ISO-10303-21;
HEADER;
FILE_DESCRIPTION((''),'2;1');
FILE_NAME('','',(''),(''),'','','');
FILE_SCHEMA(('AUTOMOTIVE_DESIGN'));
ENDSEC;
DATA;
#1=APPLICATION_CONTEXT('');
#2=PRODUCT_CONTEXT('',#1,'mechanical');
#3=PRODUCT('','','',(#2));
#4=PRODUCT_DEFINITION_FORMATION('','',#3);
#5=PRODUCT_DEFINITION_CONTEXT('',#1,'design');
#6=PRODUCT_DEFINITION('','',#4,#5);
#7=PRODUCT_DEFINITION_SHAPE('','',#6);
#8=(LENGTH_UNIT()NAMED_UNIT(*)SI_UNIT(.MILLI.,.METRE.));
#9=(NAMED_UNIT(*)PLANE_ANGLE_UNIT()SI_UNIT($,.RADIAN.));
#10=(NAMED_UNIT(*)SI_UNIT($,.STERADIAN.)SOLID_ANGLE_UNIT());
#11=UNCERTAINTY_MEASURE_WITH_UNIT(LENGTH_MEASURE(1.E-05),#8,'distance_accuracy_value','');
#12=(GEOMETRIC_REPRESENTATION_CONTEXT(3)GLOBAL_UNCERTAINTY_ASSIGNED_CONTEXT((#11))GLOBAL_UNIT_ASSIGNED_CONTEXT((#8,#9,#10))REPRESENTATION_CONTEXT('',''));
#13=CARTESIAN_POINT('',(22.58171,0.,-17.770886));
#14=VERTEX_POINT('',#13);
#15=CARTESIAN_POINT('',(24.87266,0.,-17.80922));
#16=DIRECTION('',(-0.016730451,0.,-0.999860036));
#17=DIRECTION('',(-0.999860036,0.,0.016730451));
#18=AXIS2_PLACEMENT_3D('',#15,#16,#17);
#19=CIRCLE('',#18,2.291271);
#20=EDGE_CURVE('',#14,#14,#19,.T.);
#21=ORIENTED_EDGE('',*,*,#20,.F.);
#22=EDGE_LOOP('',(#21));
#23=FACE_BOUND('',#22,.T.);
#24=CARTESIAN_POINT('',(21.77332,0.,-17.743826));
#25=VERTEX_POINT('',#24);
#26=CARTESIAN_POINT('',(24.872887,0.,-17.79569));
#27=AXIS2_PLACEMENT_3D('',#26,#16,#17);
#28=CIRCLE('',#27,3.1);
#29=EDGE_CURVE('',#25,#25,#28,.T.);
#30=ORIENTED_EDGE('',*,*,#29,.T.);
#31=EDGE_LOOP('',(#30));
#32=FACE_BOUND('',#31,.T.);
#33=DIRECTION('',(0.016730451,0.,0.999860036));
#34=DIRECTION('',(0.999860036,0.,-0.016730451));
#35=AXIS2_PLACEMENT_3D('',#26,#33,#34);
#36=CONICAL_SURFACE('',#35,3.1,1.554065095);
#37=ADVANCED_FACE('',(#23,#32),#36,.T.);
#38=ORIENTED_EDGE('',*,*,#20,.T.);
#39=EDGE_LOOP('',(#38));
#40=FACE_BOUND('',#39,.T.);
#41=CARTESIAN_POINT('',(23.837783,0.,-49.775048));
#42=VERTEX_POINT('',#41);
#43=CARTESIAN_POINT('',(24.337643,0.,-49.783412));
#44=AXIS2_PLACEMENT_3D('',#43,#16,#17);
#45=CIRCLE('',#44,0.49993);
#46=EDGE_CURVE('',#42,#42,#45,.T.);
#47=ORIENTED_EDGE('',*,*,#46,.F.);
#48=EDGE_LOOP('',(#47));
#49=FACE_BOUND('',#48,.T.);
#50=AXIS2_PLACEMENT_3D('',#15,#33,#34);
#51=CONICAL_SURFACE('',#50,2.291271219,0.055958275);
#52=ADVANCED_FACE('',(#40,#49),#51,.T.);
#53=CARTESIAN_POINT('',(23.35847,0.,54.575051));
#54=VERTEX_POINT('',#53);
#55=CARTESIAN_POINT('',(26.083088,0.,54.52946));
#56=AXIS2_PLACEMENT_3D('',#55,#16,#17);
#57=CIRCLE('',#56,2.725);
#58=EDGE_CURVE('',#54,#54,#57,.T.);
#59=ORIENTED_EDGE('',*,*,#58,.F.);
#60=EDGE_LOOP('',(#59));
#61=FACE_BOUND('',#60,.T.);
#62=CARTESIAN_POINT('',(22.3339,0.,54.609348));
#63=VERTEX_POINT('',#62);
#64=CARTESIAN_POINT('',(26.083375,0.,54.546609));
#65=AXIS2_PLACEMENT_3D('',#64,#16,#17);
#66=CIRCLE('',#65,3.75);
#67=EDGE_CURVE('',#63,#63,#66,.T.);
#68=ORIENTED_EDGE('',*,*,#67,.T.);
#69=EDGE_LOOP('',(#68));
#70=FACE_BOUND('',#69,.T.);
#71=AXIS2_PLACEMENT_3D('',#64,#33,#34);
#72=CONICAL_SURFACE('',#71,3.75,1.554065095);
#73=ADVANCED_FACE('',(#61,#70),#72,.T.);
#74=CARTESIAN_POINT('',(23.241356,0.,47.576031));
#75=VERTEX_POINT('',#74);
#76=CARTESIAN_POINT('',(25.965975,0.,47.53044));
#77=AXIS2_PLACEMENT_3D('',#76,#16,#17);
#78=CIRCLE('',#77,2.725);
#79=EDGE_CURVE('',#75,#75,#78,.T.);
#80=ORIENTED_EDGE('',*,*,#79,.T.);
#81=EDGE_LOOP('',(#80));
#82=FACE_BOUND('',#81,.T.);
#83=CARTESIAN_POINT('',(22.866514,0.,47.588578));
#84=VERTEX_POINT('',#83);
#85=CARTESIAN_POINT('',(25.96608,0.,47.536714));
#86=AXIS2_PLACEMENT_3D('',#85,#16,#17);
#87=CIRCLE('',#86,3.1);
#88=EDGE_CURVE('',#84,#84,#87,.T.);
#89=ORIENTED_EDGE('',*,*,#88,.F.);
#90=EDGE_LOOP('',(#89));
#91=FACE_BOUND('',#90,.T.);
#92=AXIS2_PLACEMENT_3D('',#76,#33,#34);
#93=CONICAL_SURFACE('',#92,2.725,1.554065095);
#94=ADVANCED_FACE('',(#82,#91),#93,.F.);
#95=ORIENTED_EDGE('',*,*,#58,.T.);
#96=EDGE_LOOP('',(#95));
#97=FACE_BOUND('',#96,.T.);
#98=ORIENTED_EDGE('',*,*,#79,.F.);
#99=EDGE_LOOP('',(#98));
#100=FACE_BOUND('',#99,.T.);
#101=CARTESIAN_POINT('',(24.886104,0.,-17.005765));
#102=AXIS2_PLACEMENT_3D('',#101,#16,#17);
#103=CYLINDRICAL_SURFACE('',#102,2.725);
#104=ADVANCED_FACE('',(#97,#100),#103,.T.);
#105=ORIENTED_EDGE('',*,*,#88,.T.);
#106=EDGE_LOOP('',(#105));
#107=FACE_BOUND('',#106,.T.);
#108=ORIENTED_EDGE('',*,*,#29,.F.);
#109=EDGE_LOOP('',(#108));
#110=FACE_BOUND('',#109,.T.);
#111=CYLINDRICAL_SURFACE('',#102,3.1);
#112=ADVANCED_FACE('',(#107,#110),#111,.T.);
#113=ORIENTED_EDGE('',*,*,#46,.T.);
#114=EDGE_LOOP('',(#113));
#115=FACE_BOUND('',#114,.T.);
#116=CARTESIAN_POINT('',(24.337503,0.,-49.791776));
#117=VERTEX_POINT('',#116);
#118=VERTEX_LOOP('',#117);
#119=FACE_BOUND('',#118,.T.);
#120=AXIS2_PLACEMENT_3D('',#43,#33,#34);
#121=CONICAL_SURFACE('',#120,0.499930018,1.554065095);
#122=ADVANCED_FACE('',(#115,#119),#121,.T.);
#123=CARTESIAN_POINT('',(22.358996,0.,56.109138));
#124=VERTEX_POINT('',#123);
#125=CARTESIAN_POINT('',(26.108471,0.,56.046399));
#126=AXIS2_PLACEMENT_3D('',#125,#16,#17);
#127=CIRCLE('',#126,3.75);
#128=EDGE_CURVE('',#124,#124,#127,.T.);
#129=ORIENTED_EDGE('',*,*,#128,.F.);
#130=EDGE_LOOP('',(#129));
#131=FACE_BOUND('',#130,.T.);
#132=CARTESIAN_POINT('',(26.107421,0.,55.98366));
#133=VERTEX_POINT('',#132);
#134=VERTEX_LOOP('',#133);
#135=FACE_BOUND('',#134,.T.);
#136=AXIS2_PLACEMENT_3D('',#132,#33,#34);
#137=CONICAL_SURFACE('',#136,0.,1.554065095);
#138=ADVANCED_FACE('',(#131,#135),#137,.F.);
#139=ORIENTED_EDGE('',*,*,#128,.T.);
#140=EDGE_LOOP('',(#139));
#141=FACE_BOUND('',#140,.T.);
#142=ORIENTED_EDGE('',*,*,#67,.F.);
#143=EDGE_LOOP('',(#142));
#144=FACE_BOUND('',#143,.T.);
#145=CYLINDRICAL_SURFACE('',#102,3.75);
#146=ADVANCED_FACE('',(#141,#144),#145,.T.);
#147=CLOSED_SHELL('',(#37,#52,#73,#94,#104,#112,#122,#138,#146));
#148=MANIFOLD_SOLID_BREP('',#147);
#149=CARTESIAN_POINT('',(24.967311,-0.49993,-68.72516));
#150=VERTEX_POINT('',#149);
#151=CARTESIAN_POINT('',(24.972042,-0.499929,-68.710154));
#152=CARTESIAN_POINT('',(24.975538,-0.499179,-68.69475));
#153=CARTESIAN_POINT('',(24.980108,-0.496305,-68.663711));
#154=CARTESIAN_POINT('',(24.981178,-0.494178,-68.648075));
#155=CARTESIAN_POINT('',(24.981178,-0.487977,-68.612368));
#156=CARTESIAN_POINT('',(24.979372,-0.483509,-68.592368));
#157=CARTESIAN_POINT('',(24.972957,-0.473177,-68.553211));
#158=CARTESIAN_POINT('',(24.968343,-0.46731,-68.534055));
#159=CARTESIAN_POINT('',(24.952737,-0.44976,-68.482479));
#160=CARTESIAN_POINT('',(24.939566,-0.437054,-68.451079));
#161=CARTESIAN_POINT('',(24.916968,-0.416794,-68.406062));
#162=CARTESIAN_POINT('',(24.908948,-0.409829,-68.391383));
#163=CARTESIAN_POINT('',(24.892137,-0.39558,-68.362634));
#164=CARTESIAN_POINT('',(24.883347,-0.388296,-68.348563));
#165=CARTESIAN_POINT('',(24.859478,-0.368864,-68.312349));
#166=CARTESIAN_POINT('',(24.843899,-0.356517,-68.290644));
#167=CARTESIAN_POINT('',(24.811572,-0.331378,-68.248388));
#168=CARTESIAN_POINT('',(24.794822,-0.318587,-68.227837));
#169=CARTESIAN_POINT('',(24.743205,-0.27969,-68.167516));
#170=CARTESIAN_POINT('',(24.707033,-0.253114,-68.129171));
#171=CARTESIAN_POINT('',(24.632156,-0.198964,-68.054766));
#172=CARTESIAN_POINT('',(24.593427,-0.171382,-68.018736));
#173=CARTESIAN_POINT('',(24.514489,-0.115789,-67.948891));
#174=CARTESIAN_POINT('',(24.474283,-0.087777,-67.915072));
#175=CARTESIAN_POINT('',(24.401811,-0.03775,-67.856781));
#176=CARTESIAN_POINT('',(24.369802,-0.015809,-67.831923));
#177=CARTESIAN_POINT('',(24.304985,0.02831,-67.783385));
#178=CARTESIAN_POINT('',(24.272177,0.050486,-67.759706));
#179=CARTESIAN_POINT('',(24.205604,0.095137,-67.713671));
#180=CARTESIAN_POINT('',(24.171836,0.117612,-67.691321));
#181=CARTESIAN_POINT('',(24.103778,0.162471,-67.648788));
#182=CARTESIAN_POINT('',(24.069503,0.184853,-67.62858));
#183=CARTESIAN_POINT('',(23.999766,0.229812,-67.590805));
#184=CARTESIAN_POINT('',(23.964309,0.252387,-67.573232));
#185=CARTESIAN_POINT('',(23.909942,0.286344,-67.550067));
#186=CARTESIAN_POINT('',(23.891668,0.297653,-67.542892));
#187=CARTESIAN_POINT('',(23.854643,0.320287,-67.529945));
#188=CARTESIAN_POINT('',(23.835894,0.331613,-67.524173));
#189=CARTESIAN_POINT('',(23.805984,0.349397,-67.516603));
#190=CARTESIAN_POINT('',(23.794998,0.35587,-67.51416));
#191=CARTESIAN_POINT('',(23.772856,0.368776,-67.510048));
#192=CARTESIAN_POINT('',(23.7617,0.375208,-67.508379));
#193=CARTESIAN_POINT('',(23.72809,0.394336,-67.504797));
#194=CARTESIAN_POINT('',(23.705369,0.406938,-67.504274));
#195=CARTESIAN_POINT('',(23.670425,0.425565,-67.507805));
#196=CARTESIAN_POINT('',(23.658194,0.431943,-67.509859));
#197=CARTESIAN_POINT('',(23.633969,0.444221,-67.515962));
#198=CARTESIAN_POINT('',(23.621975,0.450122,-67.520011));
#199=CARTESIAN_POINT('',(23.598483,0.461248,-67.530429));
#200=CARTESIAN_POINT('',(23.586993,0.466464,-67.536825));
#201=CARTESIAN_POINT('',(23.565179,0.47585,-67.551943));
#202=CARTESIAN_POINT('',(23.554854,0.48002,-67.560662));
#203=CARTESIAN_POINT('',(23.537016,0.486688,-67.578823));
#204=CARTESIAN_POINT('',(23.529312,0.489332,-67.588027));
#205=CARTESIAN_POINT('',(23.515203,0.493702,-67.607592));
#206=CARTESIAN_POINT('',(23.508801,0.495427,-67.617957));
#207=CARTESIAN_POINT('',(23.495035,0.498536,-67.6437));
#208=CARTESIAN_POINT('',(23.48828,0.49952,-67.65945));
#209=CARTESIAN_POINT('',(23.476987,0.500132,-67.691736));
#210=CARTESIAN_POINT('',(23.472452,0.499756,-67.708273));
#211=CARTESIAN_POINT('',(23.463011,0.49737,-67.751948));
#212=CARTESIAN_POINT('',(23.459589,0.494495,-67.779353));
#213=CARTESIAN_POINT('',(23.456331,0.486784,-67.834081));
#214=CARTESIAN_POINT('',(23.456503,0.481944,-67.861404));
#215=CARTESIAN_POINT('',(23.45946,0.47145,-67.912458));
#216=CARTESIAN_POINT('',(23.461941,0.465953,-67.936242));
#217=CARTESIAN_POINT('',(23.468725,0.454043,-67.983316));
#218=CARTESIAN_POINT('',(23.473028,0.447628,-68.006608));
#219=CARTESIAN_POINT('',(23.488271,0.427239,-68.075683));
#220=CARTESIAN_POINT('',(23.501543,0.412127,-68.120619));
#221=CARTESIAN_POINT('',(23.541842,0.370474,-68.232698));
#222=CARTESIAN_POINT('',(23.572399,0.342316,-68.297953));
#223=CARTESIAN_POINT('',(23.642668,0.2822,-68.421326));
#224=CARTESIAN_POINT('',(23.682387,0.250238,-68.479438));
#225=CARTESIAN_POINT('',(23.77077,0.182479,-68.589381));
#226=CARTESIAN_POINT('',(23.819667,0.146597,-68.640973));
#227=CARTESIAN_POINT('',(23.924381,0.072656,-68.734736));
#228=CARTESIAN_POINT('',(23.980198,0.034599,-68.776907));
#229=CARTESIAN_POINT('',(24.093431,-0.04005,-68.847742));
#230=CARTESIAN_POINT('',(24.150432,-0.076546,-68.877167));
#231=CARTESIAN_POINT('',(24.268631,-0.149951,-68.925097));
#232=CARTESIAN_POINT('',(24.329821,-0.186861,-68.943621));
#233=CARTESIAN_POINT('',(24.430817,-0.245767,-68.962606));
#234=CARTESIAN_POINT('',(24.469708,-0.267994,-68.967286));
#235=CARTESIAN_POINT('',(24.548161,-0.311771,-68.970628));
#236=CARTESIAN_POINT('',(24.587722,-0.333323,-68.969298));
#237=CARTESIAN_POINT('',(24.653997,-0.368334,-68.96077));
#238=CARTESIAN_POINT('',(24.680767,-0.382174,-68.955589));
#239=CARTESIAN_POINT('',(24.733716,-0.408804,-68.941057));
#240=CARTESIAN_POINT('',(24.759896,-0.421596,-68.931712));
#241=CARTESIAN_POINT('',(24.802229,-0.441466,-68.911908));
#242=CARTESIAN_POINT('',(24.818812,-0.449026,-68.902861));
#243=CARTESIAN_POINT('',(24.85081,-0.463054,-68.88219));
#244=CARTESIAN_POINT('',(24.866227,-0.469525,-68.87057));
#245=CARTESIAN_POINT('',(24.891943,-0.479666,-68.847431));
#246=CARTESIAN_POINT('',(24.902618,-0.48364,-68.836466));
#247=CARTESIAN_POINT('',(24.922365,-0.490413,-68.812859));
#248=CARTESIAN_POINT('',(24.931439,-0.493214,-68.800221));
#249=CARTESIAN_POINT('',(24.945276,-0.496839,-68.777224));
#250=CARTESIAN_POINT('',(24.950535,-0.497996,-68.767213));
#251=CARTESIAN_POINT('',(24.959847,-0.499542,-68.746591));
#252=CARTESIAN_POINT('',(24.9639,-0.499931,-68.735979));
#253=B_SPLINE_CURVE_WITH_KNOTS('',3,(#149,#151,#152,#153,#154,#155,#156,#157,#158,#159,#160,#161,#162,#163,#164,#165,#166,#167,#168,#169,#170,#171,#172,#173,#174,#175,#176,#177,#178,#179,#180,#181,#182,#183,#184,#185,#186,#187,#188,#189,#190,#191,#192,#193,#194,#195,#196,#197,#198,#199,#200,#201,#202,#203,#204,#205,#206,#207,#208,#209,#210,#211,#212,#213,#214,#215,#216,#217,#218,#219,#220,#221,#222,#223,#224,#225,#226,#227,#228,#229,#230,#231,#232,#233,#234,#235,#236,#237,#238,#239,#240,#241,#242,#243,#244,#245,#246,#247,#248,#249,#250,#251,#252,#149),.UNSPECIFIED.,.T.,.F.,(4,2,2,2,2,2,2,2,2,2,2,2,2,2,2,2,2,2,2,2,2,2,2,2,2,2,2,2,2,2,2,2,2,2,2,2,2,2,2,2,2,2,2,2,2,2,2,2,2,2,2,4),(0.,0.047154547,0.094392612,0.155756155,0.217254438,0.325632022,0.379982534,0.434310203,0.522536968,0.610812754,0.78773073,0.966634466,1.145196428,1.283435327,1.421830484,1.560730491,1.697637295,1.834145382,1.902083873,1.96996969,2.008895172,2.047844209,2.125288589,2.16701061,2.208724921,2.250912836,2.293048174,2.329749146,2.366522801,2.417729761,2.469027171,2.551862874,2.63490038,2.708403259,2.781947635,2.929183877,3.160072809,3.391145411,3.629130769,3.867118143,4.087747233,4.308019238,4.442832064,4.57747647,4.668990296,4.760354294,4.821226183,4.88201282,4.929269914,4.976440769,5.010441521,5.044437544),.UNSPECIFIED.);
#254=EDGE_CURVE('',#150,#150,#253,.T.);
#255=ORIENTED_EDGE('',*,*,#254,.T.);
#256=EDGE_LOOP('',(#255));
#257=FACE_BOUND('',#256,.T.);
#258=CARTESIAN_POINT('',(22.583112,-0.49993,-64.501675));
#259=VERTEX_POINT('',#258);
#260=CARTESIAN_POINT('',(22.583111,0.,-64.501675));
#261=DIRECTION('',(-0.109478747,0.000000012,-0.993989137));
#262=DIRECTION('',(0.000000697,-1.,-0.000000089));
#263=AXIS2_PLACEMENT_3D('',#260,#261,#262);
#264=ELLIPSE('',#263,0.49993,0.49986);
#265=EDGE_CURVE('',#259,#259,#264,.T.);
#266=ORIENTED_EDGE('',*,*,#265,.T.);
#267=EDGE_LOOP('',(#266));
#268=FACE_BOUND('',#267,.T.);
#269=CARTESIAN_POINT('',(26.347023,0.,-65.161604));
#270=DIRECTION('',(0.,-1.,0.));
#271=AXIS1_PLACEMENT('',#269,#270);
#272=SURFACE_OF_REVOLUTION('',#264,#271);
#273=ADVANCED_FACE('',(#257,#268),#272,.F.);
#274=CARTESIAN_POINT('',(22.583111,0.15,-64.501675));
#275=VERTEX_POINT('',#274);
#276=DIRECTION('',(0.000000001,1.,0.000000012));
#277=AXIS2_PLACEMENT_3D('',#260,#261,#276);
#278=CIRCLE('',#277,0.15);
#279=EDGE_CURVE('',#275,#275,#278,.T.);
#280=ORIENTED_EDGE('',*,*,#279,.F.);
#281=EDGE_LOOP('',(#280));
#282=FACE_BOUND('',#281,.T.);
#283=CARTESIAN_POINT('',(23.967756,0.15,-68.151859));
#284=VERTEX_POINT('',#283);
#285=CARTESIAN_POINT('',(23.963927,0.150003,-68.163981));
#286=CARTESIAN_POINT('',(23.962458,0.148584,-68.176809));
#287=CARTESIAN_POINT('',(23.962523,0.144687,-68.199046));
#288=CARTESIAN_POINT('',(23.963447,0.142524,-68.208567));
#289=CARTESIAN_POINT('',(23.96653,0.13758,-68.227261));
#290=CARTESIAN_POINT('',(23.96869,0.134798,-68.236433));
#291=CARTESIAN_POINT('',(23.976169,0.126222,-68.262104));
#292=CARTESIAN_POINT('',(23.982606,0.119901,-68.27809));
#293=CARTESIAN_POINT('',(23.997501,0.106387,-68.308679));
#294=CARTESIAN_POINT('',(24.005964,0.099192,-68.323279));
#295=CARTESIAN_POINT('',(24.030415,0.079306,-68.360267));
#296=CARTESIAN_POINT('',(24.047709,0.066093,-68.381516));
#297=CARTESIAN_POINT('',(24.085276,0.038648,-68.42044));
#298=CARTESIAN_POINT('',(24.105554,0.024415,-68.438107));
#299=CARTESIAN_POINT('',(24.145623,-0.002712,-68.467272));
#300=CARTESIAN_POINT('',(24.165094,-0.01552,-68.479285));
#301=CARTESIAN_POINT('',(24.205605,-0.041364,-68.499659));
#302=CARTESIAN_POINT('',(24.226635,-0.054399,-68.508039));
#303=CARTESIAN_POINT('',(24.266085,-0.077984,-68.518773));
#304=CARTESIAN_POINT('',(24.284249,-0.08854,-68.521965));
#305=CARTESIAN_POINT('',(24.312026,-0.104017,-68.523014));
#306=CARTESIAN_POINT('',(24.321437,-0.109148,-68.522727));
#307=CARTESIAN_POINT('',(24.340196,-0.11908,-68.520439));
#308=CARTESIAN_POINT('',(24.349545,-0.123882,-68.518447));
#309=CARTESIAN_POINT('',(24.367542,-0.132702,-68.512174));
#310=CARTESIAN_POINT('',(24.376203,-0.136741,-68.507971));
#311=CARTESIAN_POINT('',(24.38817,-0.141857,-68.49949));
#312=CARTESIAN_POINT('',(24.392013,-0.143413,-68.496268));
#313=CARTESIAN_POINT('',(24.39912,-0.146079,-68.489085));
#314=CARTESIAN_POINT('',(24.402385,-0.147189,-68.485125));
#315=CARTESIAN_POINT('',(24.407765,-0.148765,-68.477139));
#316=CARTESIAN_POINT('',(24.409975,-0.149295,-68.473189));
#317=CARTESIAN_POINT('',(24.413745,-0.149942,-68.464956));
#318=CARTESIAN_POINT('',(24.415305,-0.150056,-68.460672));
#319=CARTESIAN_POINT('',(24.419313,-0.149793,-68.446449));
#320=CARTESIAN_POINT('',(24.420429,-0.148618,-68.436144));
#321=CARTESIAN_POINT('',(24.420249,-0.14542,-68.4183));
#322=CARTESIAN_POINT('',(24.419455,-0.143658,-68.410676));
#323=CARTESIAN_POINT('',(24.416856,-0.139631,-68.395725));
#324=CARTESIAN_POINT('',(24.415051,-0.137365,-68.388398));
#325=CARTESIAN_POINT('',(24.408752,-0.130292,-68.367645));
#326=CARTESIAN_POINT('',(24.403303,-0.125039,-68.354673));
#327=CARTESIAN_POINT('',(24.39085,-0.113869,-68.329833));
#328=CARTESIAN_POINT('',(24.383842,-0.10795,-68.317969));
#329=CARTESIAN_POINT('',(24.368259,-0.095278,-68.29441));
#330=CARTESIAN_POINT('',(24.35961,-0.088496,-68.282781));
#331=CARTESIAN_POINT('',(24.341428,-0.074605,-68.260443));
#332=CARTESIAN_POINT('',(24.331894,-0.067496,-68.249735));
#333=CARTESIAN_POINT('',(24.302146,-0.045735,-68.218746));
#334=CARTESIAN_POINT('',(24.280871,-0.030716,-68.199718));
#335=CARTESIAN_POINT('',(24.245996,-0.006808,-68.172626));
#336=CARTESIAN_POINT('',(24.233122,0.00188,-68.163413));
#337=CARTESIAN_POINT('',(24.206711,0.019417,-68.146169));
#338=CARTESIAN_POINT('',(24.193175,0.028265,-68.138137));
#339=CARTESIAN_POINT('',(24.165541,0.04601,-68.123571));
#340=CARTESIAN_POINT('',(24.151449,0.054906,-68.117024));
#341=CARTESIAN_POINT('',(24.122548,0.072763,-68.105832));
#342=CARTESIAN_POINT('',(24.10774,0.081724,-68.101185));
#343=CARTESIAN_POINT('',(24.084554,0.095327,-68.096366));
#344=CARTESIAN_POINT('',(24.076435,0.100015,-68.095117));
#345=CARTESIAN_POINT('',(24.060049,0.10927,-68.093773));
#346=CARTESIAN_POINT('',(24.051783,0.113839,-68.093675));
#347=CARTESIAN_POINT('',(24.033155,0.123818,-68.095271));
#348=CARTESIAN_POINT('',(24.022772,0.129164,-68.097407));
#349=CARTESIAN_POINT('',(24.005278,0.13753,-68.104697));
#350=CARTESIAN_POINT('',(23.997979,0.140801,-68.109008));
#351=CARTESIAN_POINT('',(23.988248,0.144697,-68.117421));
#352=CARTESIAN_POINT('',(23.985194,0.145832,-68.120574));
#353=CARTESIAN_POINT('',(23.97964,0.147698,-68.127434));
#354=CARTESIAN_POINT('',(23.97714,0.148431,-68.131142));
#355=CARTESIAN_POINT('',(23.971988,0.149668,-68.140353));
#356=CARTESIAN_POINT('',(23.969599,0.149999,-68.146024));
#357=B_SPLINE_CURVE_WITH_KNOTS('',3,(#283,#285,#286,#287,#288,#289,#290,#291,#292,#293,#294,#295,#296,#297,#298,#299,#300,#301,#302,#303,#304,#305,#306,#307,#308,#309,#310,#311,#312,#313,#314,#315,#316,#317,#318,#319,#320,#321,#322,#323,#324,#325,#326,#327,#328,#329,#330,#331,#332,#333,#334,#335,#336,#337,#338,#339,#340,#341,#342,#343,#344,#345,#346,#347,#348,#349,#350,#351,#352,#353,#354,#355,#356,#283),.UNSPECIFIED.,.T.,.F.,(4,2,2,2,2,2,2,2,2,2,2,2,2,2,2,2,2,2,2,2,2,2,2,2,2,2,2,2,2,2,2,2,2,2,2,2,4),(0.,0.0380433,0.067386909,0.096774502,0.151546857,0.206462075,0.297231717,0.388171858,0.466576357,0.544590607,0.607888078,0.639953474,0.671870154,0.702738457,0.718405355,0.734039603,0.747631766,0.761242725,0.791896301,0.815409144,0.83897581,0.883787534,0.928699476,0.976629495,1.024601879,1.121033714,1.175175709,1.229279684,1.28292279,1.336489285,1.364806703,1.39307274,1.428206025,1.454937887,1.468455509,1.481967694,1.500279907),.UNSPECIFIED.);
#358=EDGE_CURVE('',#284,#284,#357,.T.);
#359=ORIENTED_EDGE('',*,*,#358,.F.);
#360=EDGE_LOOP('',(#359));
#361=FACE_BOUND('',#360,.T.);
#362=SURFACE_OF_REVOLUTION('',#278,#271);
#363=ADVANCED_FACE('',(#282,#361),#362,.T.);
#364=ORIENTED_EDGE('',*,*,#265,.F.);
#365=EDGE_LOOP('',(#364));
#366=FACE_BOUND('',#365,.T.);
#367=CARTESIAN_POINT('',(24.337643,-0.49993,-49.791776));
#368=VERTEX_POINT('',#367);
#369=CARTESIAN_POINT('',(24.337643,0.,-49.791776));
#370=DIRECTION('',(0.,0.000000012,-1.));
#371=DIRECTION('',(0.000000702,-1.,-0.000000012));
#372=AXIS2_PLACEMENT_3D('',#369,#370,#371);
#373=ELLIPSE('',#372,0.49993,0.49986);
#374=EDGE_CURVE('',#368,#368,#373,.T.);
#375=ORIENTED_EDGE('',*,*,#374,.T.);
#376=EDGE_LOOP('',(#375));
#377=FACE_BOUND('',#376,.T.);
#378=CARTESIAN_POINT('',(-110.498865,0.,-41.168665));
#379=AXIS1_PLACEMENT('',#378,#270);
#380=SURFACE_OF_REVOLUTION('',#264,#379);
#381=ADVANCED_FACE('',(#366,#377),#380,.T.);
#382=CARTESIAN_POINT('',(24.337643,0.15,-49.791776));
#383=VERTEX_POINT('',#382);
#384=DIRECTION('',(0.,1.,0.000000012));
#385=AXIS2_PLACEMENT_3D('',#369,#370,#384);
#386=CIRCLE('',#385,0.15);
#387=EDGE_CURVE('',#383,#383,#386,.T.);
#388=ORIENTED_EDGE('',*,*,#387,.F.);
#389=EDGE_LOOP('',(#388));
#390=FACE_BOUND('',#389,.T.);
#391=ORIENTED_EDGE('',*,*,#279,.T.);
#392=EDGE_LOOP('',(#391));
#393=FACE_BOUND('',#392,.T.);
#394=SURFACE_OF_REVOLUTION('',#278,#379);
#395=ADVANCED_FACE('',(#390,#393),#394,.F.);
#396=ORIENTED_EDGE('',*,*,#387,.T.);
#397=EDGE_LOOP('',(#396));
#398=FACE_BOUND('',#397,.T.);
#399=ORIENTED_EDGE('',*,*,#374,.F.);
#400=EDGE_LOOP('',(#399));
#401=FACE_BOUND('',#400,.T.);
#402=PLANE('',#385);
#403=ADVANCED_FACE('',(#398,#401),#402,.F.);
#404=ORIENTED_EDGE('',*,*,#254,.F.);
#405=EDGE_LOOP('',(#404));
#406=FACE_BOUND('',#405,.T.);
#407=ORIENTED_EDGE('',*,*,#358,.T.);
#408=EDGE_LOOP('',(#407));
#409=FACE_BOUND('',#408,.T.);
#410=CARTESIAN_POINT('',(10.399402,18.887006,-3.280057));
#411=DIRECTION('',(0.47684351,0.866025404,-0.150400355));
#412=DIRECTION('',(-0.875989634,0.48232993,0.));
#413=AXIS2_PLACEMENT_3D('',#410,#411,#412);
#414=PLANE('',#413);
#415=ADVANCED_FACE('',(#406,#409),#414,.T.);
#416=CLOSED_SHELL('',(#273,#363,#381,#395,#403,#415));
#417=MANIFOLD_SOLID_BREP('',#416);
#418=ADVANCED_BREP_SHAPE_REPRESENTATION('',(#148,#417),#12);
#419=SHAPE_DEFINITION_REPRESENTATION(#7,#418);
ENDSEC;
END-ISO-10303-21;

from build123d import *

# Parameters (mm, degrees)
SKETCH5_RX         = 0.499930018
SKETCH5_RY         = 0.499860046
SKETCH5_R          = 0.15
SKETCH7_W          = 3.67025273
SKETCH7_H          = 6.101354134
CUT_EXTRUDE1_DEPTH = 10


with BuildPart() as part:
    # Sketch2 → Revolve4 (revolve)
    with BuildSketch(Plane(origin=(0, 0, 0), x_dir=(1, 0, 0), z_dir=(0, 1, 0))):
        Polygon((24.886104147, 17.005765409), (26.107421074, -55.983659918), (29.857946011, -55.983659918), (29.832850335, -54.483869864), (28.807706852, -54.483869864), (28.690593697, -47.48484961), (29.065646191, -47.48484961), (27.972452613, 17.8475545), (27.163610623, 17.8475545), (24.837502632, 49.791775671), (24.337502632, 49.791775671), align=None)
    revolve(axis=Axis((24.886104147, 0, -17.005765409), (0.016730451, 0, 0.999860036)))


with BuildPart() as body_2:
    # Sweep1: sweep along a path in Sketch4
    with BuildLine(Plane(origin=(0, 0, 0), x_dir=(1, 0, 0), z_dir=(0, 1, 0))) as sweep1_path:
        ThreePointArc((24.337502632, 49.791775671), (23.66199483, 57.170782562), (22.582972321, 64.501659992))
        ThreePointArc((22.582972321, 64.501659992), (23.019193012, 67.040207811), (24.967268705, 68.725293748))
    # Sketch5 → Sweep1 (sweep)
    with BuildSketch(Plane(origin=(0, 5.85e-07, -49.791775671), x_dir=(-1, 0, 0), z_dir=(0, 1.2e-08, -1))):
        with Locations(Location((-24.337642586, -5.85e-07), (0, 0, -90.000040234))):
            Ellipse(SKETCH5_RX, SKETCH5_RY)
        with Locations((-24.337642586, -5.85e-07)):
            Circle(SKETCH5_R, mode=Mode.SUBTRACT)
    sweep(path=sweep1_path.line)

    # Sketch7 → Cut-Extrude1 (cut)
    with BuildSketch(Plane(origin=(10.399402161, 18.887006453, -3.28005675), x_dir=(0.300800703, 4e-09, 0.953687022), z_dir=(-0.47684351, -0.866025404, 0.150400355))):
        with Locations((-56.91922837, -37.333448457)):
            Rectangle(SKETCH7_W, SKETCH7_H)
    extrude(amount=-CUT_EXTRUDE1_DEPTH, mode=Mode.SUBTRACT)


solid = Compound([part.part, body_2.part])
